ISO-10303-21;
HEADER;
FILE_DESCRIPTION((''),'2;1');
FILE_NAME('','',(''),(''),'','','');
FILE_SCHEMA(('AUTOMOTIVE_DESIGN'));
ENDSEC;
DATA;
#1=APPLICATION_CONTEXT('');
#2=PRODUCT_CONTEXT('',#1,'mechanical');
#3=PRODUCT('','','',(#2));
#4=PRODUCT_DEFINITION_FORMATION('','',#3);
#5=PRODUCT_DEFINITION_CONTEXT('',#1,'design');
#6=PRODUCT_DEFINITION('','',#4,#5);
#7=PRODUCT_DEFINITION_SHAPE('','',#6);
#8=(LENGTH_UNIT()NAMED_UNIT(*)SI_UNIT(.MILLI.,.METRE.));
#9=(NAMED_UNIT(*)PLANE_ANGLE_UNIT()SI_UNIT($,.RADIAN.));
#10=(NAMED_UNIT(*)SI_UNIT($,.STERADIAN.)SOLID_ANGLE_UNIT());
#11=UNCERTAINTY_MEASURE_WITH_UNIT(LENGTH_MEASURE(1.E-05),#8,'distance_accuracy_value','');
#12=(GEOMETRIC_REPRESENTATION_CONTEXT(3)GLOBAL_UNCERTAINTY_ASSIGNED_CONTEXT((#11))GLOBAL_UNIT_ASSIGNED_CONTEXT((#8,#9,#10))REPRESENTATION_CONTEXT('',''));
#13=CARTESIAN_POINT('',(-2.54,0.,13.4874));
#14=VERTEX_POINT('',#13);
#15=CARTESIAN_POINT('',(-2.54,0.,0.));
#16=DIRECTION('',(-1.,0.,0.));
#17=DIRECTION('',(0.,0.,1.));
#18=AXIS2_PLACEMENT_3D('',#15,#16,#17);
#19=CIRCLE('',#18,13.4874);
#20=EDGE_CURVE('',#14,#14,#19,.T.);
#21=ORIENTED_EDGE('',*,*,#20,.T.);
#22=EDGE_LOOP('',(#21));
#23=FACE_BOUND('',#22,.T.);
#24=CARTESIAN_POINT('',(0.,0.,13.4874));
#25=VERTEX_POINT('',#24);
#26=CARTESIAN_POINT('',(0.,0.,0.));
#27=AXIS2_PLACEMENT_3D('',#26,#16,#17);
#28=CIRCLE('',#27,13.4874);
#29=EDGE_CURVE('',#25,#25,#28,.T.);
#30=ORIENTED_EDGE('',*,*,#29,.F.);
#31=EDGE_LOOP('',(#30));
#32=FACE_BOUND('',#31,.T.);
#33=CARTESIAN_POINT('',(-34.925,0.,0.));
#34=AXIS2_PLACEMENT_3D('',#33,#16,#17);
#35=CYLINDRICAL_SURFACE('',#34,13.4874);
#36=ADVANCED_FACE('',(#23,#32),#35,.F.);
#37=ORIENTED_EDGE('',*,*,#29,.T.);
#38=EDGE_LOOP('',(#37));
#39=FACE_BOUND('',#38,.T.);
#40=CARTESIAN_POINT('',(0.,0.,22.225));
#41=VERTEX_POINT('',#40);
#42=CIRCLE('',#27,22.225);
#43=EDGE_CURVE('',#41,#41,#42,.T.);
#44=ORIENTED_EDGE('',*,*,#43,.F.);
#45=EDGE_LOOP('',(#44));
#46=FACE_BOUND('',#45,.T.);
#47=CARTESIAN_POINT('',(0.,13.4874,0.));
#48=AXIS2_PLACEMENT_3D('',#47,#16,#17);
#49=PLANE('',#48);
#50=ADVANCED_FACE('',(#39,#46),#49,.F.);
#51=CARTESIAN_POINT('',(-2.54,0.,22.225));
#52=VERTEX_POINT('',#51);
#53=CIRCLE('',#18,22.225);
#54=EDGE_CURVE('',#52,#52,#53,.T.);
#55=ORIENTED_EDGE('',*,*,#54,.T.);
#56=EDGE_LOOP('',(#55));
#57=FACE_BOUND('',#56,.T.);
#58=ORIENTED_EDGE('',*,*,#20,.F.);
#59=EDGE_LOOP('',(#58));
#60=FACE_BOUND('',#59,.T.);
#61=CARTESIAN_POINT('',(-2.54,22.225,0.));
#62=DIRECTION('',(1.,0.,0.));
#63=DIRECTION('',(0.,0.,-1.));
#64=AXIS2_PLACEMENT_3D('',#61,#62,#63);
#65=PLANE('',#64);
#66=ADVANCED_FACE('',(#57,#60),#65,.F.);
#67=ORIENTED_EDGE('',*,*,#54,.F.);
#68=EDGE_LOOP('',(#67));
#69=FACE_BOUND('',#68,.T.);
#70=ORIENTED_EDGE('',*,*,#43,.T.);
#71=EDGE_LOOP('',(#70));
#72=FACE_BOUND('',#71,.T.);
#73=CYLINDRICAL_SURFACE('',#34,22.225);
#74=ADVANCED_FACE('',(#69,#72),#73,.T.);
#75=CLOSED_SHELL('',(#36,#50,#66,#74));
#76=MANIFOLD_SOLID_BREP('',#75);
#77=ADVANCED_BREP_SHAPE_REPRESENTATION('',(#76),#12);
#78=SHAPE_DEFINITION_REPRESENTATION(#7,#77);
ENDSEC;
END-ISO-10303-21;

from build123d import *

# Parameters (mm, degrees)
SKETCH1_W = 2.54
SKETCH1_H = 8.7376


with BuildPart() as part:
    # Sketch1 → Base-Revolve (revolve)
    with BuildSketch(Plane.XY, mode=Mode.PRIVATE) as base_revolve_sk:
        with Locations((-1.27, 17.8562)):
            Rectangle(SKETCH1_W, SKETCH1_H)
    revolve(base_revolve_sk.sketch.rotate(Axis((-34.925, 0, 0), (1, 0, 0)), 90), axis=Axis((-34.925, 0, 0), (1, 0, 0)))


solid = part.part
